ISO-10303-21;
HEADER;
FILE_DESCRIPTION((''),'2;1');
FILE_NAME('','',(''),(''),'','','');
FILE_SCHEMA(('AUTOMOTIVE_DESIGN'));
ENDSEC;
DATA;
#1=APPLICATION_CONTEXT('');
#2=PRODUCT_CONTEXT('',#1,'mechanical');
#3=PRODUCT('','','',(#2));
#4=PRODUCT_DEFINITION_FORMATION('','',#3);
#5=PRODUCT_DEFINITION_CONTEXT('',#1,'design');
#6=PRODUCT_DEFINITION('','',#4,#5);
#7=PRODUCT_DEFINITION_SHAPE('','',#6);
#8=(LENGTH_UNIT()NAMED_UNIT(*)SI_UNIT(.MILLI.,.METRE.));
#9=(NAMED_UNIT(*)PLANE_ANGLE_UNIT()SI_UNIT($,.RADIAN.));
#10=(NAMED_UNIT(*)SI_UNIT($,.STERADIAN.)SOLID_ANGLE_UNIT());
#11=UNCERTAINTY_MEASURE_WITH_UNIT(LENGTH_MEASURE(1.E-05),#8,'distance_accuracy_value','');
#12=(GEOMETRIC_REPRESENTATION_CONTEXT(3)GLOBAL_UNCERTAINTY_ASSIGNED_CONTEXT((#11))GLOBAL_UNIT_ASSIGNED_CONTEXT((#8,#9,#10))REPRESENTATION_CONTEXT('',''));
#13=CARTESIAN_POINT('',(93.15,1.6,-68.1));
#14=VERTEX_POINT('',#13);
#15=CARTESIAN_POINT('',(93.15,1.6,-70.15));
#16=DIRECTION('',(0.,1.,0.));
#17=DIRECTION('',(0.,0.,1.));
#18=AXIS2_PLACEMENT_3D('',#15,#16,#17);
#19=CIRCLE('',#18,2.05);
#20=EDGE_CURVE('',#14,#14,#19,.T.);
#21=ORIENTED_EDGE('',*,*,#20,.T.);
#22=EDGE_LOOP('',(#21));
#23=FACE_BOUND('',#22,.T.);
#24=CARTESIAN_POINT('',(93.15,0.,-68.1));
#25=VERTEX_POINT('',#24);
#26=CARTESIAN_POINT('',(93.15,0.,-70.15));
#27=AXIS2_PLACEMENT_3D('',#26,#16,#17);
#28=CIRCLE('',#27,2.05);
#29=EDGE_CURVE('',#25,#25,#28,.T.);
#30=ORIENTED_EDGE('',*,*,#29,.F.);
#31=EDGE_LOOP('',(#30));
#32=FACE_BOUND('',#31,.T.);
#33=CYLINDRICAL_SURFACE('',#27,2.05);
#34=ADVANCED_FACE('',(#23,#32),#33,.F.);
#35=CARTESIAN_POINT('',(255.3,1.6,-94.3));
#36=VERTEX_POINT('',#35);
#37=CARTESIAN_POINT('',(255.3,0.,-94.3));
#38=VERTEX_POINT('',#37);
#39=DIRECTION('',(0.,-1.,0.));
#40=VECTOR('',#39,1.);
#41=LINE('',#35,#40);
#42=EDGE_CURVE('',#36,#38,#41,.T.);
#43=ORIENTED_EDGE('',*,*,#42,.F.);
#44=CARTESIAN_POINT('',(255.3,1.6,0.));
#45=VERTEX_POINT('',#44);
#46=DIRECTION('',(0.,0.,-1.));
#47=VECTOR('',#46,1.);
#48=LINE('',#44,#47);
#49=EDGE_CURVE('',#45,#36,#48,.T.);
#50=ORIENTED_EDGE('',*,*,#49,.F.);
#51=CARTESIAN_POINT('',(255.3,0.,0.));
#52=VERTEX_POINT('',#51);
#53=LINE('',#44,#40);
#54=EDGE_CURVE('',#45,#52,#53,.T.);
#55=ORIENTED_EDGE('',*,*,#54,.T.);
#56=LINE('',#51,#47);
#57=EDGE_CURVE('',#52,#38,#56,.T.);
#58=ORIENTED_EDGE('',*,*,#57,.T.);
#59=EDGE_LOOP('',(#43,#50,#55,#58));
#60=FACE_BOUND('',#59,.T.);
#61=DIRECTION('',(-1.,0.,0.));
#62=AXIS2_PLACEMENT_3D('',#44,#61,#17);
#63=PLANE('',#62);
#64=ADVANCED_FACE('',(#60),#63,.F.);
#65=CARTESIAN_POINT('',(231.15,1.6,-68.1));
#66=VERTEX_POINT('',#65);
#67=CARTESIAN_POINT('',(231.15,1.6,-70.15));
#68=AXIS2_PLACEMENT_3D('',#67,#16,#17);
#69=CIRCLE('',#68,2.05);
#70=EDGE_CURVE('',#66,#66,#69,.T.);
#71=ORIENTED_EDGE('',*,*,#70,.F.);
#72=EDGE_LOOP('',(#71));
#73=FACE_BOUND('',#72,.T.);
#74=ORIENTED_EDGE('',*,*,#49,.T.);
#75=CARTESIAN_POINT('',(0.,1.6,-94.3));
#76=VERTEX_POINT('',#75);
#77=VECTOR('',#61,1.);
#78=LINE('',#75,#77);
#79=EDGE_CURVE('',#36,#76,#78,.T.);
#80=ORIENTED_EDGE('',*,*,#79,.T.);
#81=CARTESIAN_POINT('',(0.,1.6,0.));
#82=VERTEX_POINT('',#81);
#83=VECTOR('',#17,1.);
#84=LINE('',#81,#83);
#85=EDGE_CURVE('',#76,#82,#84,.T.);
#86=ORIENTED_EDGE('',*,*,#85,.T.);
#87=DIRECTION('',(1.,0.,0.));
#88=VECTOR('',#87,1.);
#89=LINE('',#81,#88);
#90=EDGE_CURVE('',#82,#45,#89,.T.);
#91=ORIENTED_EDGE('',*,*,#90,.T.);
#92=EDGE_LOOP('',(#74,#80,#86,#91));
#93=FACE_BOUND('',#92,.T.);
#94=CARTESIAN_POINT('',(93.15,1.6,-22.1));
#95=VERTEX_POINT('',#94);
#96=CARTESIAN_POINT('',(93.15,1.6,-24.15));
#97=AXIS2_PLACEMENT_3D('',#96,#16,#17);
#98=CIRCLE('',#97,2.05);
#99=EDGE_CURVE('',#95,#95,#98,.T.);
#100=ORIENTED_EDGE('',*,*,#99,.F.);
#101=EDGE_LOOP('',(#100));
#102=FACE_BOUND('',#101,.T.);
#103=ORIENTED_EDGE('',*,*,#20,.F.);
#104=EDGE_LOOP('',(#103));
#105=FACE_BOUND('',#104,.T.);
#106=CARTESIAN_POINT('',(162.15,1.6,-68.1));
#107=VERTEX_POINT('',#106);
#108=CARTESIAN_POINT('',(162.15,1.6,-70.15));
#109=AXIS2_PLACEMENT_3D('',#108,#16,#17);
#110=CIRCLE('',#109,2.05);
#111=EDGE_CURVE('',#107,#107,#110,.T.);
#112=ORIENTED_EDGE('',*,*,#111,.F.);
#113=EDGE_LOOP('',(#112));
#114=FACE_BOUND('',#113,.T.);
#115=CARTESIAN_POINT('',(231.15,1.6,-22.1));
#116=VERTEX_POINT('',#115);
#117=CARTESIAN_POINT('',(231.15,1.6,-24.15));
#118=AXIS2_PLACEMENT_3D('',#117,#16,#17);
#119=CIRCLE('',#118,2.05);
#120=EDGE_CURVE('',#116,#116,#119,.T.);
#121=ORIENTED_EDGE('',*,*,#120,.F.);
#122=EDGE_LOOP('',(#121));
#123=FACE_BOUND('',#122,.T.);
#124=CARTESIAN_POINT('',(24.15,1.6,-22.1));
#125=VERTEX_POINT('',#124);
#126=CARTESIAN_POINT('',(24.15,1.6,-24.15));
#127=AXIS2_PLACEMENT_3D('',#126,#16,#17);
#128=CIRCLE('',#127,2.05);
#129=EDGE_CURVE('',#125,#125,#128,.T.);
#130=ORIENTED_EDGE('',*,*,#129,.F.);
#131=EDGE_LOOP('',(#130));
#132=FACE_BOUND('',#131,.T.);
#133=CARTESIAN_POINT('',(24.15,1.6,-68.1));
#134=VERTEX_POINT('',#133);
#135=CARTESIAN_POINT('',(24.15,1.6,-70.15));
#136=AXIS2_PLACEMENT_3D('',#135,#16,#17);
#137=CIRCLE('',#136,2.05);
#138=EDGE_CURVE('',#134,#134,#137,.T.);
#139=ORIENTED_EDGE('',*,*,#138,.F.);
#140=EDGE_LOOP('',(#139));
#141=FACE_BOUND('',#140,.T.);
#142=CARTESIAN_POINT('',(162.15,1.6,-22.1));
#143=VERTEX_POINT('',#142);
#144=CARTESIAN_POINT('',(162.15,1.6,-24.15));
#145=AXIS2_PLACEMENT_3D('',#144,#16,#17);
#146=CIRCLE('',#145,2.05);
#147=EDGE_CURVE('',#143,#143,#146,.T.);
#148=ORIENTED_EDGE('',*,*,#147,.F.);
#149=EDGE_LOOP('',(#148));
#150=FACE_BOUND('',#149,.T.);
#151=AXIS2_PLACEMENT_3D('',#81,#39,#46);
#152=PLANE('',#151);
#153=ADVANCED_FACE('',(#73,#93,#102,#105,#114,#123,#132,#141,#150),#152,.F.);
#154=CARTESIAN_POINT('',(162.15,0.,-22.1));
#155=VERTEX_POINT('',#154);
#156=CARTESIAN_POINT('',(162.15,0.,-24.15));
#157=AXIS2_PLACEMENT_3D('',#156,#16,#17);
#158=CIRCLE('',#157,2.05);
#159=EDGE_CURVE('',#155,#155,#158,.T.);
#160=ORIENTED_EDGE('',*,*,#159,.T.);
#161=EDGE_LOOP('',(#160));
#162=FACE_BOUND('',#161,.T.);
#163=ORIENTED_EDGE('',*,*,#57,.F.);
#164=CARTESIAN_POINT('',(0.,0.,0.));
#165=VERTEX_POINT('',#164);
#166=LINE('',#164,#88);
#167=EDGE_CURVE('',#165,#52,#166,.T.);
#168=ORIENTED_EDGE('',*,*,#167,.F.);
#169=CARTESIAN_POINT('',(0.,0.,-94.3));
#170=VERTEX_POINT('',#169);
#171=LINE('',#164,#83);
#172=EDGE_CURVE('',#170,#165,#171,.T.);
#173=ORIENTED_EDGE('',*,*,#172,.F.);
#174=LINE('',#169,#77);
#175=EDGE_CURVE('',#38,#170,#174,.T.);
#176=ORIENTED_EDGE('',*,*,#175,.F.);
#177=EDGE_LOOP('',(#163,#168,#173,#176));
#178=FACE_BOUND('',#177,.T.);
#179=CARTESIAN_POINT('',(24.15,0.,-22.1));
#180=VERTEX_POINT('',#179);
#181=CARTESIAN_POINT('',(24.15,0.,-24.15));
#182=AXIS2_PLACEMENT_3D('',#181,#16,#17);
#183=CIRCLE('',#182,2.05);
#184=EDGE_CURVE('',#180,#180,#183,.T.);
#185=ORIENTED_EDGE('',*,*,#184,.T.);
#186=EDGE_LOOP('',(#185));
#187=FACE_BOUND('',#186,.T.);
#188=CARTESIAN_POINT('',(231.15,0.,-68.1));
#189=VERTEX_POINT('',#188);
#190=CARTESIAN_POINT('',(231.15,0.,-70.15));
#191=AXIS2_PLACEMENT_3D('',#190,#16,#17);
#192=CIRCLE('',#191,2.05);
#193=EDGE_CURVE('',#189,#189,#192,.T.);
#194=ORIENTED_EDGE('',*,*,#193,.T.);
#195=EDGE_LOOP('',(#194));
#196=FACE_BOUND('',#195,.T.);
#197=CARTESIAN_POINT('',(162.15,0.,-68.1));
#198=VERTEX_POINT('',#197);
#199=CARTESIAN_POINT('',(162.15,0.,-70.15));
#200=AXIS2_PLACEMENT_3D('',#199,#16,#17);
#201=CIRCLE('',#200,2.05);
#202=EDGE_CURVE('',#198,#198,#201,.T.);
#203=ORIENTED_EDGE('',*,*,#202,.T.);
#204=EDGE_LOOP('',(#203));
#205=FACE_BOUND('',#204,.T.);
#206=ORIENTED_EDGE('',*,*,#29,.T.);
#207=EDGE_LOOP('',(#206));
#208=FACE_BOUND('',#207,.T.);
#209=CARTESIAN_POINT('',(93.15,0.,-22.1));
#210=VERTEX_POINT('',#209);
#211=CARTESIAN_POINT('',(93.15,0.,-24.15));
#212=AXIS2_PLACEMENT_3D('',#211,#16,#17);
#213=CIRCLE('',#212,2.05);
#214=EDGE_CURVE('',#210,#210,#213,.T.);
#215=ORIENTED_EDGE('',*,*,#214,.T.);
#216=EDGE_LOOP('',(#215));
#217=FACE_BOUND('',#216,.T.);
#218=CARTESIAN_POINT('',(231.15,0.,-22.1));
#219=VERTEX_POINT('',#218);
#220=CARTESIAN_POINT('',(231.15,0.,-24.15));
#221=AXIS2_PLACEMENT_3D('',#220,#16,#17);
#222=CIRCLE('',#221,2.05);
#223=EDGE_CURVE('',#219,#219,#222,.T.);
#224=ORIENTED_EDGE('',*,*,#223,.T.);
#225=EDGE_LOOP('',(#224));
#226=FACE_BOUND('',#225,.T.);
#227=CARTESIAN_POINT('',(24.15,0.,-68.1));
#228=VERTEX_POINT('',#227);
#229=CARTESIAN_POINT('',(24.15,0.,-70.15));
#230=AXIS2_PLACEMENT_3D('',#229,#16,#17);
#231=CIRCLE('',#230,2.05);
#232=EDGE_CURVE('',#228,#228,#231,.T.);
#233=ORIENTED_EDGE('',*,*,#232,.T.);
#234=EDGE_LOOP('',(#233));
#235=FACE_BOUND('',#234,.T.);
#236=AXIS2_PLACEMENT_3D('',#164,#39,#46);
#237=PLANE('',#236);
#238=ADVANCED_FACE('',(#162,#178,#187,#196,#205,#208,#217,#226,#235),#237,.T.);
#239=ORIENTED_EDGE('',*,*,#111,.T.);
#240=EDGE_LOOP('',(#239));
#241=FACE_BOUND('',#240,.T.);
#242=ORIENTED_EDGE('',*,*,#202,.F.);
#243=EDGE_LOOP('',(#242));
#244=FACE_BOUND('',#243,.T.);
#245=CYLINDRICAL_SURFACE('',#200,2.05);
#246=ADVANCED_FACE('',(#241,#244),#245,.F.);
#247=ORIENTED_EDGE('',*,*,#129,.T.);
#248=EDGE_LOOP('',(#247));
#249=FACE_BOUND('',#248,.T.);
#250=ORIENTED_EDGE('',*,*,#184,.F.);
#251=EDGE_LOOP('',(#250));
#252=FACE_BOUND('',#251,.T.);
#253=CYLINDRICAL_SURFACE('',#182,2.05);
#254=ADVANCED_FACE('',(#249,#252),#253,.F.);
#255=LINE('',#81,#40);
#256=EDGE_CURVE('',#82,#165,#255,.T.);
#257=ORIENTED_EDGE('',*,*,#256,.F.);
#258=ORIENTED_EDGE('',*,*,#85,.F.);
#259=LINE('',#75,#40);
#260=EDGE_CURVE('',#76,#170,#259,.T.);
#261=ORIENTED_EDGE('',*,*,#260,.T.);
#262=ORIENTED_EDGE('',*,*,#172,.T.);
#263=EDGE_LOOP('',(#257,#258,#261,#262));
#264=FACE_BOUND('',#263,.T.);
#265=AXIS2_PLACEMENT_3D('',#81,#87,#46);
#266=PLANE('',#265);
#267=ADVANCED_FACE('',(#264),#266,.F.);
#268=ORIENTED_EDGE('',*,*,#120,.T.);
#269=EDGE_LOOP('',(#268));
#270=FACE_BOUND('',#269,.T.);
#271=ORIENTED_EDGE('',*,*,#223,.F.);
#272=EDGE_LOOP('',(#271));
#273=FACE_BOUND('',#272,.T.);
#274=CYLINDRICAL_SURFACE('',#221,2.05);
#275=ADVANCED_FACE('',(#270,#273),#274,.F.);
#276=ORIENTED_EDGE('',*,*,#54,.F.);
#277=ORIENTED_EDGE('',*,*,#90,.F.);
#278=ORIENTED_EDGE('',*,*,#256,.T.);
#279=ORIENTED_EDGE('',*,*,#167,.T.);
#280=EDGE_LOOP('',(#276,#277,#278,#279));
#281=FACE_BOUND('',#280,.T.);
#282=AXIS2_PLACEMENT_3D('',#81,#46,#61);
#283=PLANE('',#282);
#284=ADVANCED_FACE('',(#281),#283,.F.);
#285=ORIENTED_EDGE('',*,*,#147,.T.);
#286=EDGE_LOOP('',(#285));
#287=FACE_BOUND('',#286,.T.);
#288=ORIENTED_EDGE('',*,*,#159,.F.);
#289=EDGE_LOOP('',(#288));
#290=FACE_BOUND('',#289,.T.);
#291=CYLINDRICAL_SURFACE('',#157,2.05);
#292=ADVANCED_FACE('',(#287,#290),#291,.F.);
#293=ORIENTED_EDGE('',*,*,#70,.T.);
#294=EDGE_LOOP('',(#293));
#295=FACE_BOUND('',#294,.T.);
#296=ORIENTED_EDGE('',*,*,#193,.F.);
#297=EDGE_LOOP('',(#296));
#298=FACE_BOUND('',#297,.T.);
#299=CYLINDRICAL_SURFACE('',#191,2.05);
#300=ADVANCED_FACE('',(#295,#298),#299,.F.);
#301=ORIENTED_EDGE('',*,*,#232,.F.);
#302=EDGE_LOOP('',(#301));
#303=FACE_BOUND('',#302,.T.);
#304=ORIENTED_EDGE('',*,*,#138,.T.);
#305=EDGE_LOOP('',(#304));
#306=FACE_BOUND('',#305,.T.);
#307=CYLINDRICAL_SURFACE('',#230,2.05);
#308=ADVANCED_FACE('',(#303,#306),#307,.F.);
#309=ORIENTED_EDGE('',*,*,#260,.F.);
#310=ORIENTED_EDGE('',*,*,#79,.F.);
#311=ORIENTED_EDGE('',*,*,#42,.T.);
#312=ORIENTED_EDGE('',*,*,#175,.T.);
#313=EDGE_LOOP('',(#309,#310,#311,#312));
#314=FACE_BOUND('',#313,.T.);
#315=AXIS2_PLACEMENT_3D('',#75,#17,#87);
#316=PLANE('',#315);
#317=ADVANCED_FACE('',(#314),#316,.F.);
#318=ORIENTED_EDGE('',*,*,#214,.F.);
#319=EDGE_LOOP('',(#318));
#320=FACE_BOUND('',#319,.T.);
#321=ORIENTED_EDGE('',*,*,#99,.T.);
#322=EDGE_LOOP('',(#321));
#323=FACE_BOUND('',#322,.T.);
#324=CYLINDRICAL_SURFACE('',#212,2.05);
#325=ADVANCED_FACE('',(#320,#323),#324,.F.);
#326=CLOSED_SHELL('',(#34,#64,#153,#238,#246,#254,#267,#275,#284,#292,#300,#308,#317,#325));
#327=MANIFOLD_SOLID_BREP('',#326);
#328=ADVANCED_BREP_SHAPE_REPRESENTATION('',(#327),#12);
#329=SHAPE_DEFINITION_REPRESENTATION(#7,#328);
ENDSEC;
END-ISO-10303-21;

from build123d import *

# Parameters (mm, degrees)
SKETCH1_W           = 255.3
SKETCH1_H           = 94.3
BOSS_EXTRUDE1_DEPTH = 1.6
SKETCH3_R           = 2.05
CUT_EXTRUDE1_DEPTH  = 273.163810967


with BuildPart() as part:
    # Sketch1 → Boss-Extrude1 (new body)
    with BuildSketch(Plane(origin=(0, 0, 0), x_dir=(1, 0, 0), z_dir=(0, 1, 0))):
        with Locations((127.65, 47.15)):
            Rectangle(SKETCH1_W, SKETCH1_H)
    extrude(amount=BOSS_EXTRUDE1_DEPTH)

    # Sketch3 → Cut-Extrude1 (cut, through all)
    with BuildSketch(Plane(origin=(0, 1.6, 0), x_dir=(1, 0, 0), z_dir=(0, 1, 0))):
        with Locations(Location((24.15, 70.15, 0), (0, 0, 270))):
            Circle(SKETCH3_R)
        with Locations(Location((24.15, 24.15, 0), (0, 0, 270))):
            Circle(SKETCH3_R)
        with Locations(Location((93.15, 70.15, 0), (0, 0, 270))):
            Circle(SKETCH3_R)
        with Locations(Location((93.15, 24.15, 0), (0, 0, 270))):
            Circle(SKETCH3_R)
        with Locations(Location((162.15, 24.15, 0), (0, 0, 270))):
            Circle(SKETCH3_R)
        with Locations(Location((162.15, 70.15, 0), (0, 0, 270))):
            Circle(SKETCH3_R)
        with Locations(Location((231.15, 70.15, 0), (0, 0, 270))):
            Circle(SKETCH3_R)
        with Locations(Location((231.15, 24.15, 0), (0, 0, 270))):
            Circle(SKETCH3_R)
    extrude(amount=-CUT_EXTRUDE1_DEPTH, mode=Mode.SUBTRACT)


solid = part.part
